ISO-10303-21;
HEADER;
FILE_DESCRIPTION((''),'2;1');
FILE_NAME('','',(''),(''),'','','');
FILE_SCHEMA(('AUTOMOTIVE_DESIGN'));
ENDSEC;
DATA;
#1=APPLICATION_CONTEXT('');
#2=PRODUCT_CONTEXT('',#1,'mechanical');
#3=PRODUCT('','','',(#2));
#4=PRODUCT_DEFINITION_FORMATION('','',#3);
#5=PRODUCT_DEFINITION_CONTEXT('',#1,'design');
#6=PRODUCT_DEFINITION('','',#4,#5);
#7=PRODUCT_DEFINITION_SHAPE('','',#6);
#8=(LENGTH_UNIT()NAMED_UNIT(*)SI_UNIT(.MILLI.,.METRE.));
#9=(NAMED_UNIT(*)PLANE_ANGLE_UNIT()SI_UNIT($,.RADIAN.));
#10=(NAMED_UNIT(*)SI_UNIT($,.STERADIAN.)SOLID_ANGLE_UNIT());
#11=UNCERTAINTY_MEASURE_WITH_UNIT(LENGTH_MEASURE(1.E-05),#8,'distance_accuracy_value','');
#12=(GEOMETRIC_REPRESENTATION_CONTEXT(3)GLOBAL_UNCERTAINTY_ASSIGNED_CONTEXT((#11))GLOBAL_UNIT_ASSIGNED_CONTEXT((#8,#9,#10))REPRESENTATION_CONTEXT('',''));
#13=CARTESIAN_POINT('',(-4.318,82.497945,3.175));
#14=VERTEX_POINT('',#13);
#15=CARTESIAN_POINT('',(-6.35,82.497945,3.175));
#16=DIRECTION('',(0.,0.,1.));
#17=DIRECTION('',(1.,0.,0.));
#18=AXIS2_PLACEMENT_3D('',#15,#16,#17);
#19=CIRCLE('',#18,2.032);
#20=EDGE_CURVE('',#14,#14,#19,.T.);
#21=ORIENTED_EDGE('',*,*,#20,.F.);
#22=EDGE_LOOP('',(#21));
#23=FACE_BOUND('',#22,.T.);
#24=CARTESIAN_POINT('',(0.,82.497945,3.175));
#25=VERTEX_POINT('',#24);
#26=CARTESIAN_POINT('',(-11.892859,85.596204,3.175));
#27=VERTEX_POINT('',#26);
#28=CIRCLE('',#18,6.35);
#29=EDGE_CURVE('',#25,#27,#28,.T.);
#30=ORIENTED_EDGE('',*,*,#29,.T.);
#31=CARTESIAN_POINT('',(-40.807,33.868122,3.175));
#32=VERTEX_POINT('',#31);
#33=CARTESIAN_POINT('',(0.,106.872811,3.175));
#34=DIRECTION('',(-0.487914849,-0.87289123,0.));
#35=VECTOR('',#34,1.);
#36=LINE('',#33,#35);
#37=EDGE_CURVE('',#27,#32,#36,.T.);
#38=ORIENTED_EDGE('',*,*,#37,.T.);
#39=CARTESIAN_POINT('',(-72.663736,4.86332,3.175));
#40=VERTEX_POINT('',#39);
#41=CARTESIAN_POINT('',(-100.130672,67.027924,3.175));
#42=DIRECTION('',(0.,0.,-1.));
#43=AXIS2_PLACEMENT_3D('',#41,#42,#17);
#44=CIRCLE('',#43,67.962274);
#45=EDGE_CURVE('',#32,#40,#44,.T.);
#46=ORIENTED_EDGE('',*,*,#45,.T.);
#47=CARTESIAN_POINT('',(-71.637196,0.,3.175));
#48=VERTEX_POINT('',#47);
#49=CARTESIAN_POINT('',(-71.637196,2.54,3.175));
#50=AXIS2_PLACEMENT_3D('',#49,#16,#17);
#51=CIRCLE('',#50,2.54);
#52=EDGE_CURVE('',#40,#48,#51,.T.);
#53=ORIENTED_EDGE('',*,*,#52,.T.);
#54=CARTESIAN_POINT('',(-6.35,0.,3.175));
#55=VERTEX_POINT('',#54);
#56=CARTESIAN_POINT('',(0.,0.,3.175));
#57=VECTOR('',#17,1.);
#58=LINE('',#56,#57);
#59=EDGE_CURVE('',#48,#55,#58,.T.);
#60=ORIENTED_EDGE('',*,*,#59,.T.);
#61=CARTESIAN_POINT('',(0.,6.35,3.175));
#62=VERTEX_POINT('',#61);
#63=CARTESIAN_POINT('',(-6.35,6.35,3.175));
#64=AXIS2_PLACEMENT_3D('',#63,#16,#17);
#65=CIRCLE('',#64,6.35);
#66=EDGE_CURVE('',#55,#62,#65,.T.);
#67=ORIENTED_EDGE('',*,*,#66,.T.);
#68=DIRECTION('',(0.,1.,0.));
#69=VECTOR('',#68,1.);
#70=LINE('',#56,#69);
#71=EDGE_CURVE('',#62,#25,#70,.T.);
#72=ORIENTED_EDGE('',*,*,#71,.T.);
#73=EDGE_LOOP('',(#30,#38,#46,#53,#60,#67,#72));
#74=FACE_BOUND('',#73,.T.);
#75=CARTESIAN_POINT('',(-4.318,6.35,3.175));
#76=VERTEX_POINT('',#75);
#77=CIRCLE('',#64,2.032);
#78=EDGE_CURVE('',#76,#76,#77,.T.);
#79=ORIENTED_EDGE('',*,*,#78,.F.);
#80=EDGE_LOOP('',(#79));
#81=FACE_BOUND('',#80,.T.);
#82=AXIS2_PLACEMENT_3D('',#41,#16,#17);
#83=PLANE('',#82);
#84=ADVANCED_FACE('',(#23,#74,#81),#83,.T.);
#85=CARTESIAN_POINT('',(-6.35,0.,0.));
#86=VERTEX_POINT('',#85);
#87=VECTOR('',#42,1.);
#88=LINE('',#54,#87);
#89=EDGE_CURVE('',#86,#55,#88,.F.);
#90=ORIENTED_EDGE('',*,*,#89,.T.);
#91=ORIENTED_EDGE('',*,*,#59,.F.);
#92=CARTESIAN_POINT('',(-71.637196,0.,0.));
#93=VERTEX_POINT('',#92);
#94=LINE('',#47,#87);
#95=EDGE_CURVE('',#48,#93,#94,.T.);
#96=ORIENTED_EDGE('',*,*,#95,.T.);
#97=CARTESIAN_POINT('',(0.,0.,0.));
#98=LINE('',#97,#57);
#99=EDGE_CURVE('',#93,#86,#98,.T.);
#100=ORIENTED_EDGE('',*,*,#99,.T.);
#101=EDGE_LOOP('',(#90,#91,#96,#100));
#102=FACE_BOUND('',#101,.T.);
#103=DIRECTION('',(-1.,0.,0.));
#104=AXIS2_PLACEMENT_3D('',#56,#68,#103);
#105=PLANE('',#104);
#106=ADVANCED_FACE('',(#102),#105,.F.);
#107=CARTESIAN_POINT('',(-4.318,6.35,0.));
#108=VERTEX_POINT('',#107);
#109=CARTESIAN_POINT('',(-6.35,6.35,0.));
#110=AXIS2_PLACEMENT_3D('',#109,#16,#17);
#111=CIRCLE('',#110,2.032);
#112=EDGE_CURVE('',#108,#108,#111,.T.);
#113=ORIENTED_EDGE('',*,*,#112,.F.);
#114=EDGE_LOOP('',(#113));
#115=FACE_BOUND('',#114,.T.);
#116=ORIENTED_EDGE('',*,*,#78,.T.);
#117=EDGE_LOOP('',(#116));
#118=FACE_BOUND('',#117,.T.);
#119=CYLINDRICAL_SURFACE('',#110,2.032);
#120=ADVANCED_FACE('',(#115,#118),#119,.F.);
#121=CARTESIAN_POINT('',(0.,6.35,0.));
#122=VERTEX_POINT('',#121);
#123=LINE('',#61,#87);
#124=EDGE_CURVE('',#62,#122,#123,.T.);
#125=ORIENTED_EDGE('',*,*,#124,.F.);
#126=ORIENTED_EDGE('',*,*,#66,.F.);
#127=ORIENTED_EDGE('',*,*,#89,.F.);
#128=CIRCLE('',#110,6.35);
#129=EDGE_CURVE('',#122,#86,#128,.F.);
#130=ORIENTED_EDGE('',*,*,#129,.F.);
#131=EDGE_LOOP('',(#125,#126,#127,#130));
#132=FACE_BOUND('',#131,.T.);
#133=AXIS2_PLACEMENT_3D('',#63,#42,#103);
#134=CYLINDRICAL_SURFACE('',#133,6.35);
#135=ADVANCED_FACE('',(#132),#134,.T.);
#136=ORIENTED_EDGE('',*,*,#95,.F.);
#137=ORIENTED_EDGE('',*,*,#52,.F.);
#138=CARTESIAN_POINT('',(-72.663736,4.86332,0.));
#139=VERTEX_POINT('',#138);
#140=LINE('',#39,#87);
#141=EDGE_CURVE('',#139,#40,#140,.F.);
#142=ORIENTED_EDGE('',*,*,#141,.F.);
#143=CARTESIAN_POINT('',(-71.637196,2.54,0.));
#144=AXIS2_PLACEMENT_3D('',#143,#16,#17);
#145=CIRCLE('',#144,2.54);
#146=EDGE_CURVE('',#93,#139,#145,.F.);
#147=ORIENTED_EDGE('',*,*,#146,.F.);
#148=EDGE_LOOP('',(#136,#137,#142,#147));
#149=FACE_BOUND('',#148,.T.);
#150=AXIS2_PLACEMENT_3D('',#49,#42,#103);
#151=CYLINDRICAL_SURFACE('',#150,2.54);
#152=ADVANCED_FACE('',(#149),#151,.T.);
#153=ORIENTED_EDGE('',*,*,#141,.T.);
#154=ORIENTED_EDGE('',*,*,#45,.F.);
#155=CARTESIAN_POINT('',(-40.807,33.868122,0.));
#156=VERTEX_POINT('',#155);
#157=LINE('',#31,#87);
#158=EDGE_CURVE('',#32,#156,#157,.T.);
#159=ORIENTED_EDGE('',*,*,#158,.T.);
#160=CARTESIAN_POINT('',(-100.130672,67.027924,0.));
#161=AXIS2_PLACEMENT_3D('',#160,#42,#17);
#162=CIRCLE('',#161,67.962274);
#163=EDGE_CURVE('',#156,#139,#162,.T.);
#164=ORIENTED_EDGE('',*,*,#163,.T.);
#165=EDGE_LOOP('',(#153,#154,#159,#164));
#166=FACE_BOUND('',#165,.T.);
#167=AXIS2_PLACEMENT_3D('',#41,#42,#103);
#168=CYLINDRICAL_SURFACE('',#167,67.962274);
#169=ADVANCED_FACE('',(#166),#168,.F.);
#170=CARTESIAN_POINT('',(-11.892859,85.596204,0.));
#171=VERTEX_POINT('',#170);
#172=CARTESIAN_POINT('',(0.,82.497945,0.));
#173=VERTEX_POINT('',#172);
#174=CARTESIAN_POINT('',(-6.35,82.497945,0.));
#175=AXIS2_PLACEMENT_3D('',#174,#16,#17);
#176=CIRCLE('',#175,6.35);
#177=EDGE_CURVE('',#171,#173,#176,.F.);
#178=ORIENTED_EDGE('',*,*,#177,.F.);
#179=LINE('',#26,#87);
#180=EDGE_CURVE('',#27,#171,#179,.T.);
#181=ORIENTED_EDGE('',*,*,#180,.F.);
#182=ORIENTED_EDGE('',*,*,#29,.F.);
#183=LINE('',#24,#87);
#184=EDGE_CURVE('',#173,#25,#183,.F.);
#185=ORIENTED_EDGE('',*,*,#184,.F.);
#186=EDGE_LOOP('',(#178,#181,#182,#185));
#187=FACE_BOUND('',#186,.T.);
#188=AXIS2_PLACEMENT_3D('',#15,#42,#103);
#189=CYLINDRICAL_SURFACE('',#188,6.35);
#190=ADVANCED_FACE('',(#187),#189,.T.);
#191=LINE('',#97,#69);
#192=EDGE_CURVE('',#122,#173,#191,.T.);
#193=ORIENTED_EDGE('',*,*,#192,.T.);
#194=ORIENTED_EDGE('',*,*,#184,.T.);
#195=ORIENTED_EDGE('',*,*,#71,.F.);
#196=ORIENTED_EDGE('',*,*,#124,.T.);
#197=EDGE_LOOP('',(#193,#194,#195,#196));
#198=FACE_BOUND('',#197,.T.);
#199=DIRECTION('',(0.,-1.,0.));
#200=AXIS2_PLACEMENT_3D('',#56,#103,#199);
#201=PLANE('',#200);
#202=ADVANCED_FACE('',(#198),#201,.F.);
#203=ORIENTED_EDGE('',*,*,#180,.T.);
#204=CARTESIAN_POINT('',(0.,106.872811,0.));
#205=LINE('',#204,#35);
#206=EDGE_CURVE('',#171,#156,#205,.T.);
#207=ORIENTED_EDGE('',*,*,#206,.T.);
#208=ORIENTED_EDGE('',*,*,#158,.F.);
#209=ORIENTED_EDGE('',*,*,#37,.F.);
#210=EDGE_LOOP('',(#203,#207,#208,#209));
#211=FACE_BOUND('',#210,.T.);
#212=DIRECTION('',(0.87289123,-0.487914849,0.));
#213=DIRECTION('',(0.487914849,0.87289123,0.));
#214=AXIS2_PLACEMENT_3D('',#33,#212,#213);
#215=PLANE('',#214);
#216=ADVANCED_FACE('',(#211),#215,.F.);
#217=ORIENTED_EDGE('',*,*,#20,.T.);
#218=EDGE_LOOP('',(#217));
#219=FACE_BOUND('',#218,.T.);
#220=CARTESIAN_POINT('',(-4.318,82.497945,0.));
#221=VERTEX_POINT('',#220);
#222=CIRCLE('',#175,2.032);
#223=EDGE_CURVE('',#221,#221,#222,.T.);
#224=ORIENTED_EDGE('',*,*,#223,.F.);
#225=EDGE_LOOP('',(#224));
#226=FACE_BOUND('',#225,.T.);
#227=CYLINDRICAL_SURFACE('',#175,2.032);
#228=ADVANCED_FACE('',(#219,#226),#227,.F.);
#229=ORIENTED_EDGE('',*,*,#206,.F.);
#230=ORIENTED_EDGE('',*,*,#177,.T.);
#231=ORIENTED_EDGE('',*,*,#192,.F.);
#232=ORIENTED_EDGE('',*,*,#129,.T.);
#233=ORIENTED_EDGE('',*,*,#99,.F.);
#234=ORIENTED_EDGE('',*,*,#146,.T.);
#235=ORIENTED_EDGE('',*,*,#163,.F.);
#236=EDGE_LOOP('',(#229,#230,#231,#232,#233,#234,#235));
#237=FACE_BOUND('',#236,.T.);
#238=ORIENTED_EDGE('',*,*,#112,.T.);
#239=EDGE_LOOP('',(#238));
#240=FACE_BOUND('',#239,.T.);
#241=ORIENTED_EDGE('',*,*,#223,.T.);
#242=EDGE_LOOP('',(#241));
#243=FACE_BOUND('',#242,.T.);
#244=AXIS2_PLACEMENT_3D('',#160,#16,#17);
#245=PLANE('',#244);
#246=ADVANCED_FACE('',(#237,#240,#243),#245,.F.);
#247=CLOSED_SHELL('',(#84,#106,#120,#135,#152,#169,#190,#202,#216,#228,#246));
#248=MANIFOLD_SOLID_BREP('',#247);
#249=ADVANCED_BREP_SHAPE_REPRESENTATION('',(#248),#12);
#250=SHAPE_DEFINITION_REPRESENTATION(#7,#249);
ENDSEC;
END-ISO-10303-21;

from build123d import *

# Parameters (mm, degrees)
BOSS_EXTRUDE1_DEPTH = 3.175
FILLET1_R           = 2.54
FILLET2_R           = 6.35
SKETCH2_R           = 2.032
CUT_EXTRUDE1_DEPTH  = 116.785553087


with BuildPart() as part:
    # Sketch1 → Boss-Extrude1 (new body)
    with BuildSketch(Plane.XY):
        with BuildLine():
            Line((0, 0), (0, 106.872811366))
            Line((0, 106.872811366), (-40.80699964, 33.868121814))
            ThreePointArc((-40.80699964, 33.868121814), (-60.999593642, 11.461483708), (-88.9, 0))
            Line((-88.9, 0), (0, 0))
        make_face()
    extrude(amount=BOSS_EXTRUDE1_DEPTH)

    # Fillet1
    fillet1_edges = [part.edges().sort_by_distance(p)[0] for p in [
        (-88.9, 0, 1.5875),
    ]]
    fillet(fillet1_edges, radius=FILLET1_R)

    # Fillet2
    fillet2_edges = [part.edges().sort_by_distance(p)[0] for p in [
        (0, 106.872811366, 1.5875),
        (0, 0, 1.5875),
    ]]
    fillet(fillet2_edges, radius=FILLET2_R)

    # Sketch2 → Cut-Extrude1 (cut, through all)
    with BuildSketch(Plane.XY.offset(3.175)):
        with Locations((-6.35, 6.35)):
            Circle(SKETCH2_R)
        with Locations((-6.35, 82.497944882)):
            Circle(SKETCH2_R)
    extrude(amount=-CUT_EXTRUDE1_DEPTH, mode=Mode.SUBTRACT)


solid = part.part
